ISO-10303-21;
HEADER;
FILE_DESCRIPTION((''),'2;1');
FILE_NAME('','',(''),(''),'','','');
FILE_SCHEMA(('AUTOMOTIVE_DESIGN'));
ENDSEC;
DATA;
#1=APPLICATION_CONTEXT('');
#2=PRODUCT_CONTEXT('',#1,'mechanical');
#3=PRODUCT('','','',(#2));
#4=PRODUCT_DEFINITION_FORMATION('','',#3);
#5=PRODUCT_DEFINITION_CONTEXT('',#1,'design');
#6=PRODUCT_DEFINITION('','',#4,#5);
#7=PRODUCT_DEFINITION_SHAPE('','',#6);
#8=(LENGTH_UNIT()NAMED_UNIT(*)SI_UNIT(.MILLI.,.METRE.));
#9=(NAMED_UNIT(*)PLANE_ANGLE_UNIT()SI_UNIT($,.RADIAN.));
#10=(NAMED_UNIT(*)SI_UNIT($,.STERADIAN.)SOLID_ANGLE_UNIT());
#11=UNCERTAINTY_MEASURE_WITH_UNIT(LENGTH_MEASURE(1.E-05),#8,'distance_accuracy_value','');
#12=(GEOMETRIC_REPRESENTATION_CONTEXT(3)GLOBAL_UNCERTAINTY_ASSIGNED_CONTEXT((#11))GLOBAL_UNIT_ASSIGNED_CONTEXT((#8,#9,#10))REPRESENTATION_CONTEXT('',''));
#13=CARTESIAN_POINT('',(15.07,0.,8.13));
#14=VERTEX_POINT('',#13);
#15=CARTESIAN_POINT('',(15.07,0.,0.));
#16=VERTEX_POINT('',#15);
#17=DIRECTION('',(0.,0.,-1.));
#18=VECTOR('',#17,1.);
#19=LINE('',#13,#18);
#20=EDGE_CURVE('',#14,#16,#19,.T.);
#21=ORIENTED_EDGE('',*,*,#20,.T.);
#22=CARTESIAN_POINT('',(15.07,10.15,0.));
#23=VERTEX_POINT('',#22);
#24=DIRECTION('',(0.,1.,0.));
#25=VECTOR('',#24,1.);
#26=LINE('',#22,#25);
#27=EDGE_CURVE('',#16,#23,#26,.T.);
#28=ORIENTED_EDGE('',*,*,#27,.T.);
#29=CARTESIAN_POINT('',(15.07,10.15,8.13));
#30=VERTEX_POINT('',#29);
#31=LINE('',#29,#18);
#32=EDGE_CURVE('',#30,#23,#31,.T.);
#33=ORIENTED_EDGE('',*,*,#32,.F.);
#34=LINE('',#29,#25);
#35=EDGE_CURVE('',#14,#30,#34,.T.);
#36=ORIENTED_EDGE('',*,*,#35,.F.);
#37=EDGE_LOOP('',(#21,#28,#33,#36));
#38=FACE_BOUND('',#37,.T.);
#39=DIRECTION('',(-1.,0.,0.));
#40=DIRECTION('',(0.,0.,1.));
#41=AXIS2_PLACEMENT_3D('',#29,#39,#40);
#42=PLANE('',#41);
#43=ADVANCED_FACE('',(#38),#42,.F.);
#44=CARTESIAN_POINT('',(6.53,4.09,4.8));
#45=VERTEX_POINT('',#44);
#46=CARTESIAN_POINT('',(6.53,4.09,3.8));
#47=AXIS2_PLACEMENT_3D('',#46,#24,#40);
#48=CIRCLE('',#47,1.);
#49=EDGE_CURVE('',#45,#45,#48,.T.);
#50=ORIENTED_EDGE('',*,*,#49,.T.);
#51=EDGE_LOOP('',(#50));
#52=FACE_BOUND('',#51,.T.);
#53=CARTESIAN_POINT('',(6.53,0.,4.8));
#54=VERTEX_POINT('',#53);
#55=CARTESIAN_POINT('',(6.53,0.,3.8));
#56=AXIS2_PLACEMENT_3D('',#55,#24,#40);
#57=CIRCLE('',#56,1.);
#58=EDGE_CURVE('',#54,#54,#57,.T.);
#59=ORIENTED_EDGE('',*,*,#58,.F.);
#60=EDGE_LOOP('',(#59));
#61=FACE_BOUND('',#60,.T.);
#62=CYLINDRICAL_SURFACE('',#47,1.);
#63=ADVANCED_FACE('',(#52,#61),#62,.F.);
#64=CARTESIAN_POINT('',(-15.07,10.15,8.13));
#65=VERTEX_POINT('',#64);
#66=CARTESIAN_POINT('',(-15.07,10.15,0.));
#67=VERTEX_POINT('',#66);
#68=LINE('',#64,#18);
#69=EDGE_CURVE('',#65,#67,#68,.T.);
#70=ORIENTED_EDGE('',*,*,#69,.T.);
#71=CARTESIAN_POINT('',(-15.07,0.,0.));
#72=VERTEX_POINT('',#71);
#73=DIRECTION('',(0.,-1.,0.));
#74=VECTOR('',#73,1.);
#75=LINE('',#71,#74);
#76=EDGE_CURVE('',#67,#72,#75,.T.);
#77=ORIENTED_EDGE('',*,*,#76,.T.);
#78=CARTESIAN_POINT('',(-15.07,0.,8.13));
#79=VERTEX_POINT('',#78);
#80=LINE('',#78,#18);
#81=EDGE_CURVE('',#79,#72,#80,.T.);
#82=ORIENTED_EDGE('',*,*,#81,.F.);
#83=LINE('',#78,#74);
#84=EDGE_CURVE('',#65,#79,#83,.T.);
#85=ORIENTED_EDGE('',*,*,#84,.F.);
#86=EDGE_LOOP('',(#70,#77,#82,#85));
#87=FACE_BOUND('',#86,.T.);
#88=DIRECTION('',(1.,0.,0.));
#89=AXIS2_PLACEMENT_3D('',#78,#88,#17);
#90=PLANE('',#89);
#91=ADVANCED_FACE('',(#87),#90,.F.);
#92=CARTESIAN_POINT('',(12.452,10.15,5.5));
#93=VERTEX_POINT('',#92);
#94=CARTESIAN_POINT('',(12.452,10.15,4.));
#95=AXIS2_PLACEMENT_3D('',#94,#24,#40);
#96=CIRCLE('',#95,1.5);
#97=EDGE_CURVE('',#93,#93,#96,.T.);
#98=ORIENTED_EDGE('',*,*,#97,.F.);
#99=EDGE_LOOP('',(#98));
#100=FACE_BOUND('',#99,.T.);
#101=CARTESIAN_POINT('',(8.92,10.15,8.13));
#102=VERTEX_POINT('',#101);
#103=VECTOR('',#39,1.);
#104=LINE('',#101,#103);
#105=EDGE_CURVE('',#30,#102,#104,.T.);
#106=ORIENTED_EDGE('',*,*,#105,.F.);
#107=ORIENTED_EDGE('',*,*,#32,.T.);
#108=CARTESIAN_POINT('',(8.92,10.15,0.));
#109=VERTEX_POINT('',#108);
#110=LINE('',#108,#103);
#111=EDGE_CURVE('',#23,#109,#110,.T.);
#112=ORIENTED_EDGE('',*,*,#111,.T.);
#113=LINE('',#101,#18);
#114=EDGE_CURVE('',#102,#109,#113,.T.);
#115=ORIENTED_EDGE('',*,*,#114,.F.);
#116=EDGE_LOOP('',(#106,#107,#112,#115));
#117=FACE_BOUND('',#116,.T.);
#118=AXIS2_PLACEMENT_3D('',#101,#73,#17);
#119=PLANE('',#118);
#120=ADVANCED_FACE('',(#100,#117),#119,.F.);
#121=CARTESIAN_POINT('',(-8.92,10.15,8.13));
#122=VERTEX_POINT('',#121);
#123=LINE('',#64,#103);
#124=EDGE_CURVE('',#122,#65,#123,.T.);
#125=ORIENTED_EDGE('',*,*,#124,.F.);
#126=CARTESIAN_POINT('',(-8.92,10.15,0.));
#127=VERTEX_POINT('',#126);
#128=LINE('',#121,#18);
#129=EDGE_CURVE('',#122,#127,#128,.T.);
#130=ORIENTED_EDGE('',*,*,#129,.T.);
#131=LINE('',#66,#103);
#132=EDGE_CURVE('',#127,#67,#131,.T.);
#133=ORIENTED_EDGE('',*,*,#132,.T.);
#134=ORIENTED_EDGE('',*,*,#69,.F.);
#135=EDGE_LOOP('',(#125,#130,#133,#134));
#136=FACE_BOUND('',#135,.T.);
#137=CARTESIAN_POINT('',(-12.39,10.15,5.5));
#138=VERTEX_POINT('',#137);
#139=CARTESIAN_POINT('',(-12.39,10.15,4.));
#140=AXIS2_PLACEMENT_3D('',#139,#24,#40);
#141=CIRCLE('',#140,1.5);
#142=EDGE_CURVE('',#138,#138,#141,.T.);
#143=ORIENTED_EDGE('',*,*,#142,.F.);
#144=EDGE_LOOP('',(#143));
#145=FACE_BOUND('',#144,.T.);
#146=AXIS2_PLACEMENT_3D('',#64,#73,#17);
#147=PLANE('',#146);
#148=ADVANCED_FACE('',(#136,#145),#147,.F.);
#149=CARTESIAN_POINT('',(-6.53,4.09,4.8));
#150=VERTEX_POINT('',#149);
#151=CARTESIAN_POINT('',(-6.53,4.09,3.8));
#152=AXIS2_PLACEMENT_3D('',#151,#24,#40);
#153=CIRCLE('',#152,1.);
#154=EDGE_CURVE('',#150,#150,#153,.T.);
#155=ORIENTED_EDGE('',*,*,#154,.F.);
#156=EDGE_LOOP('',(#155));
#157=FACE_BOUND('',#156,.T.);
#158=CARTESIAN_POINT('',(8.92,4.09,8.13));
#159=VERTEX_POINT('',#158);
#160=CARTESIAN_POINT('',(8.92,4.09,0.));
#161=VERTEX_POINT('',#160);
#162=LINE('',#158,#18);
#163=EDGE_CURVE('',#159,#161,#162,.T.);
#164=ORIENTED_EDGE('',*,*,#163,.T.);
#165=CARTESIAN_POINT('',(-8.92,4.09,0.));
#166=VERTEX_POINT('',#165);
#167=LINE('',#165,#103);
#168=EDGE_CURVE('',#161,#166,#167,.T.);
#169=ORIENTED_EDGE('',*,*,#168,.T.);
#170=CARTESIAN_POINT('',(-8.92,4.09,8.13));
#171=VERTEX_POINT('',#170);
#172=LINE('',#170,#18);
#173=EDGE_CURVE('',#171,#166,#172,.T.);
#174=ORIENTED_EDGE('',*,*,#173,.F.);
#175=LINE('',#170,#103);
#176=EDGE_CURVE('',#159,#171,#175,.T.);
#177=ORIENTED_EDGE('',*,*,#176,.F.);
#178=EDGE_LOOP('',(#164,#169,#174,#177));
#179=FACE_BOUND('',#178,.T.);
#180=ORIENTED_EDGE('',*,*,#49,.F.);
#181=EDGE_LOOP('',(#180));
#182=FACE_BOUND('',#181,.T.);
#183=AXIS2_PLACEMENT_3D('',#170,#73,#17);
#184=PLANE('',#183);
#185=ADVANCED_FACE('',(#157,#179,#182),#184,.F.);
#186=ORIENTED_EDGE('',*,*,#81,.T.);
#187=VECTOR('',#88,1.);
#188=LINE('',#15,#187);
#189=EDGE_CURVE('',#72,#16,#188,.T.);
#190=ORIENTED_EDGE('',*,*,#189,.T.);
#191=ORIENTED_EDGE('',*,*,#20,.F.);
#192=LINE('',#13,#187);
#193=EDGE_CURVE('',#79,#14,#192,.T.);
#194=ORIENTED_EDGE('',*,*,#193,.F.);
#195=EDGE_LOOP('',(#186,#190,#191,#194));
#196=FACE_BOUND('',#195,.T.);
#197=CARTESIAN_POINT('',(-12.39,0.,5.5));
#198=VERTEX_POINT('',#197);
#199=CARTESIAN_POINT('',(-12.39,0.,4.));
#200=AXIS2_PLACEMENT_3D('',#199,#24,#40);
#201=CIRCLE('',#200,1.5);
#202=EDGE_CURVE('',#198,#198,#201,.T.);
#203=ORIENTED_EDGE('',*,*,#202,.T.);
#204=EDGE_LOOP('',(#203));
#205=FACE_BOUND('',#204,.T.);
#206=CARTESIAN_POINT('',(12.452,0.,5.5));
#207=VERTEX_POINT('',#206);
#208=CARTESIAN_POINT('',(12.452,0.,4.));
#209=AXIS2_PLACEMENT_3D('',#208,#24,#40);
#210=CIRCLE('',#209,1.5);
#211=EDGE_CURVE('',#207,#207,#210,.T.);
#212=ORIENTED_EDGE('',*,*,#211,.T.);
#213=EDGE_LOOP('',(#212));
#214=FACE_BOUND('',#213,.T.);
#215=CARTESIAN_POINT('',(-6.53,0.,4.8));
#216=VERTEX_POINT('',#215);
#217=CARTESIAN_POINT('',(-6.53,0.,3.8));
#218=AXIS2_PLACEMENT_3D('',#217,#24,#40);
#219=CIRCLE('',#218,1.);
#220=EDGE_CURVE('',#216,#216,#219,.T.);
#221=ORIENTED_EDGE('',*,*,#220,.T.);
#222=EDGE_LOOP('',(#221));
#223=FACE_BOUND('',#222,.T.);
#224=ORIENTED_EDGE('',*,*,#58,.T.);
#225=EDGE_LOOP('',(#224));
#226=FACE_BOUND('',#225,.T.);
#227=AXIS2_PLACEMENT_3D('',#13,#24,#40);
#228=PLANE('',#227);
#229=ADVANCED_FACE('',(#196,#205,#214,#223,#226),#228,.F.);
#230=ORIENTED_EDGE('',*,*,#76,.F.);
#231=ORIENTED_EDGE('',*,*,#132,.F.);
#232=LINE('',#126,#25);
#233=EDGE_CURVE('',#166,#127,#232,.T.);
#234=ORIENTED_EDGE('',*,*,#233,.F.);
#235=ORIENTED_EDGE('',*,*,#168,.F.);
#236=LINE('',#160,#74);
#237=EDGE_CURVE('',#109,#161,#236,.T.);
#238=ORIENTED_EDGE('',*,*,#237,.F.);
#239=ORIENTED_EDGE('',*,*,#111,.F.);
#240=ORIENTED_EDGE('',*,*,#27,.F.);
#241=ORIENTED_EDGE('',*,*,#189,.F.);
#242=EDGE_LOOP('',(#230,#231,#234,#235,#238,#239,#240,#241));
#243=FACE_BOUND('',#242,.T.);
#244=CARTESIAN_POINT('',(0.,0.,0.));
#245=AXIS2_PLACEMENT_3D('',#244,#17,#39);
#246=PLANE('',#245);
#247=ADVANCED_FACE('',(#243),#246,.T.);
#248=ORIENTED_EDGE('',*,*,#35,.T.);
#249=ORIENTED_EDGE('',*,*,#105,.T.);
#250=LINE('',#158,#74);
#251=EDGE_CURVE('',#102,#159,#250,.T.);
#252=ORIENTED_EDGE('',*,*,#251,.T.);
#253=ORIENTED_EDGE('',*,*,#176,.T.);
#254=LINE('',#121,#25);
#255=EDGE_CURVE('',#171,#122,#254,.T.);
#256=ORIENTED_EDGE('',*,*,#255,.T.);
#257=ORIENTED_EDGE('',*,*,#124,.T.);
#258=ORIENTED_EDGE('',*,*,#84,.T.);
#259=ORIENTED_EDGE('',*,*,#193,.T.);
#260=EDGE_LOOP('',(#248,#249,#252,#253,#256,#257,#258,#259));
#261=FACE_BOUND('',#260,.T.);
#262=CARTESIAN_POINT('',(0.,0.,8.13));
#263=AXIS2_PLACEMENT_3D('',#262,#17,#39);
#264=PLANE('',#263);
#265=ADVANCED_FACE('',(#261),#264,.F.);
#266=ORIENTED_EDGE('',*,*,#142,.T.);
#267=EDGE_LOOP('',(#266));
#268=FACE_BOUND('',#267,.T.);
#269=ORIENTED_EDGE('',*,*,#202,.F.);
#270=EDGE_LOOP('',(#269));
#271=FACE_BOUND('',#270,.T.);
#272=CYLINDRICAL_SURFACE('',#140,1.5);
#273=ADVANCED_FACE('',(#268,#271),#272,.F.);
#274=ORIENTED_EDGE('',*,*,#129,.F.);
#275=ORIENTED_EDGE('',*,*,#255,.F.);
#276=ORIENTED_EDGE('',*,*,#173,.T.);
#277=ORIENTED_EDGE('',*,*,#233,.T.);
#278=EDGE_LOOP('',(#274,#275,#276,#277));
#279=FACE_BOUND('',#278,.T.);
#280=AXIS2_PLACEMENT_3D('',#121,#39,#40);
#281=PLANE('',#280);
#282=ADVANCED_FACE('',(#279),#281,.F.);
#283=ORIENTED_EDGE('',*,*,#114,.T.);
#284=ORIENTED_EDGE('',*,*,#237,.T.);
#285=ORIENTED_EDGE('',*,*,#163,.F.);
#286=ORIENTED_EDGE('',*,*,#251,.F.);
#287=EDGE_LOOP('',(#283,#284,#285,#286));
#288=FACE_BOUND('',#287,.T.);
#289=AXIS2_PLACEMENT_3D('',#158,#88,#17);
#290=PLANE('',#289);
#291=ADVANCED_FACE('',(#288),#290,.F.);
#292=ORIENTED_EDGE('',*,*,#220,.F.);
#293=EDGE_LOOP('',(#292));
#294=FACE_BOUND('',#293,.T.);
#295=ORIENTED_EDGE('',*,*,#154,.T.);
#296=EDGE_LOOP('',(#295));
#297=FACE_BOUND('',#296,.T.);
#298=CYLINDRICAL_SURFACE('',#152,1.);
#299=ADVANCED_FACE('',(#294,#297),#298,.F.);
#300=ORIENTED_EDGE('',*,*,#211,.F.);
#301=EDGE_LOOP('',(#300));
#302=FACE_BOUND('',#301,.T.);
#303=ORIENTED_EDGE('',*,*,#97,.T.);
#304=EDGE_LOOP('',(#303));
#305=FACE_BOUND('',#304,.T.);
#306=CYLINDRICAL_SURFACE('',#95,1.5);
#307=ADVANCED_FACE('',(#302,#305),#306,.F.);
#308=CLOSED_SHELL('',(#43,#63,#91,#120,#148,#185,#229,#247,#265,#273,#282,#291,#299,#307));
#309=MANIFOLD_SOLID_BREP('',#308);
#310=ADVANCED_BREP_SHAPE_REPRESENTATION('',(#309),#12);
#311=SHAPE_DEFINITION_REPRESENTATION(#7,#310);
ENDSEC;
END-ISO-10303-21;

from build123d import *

# Parameters (mm, degrees)
BOSS_EXTRUDE1_DEPTH       = 8.13
F_3_0MM_DOWEL_HOLE1_D     = 3
F_3_0MM_DOWEL_HOLE1_DEPTH = 35
F_3_0MM_DOWEL_HOLE1_TIP   = 0.901290929
F_2_0MM_DOWEL_HOLE1_D     = 2
F_2_0MM_DOWEL_HOLE1_DEPTH = 35
F_2_0MM_DOWEL_HOLE1_TIP   = 0.600860619


with BuildPart() as part:
    # Sketch1 → Boss-Extrude1 (new body)
    with BuildSketch(Plane.XY):
        Polygon((-15.07, 0), (-15.07, 10.15), (-8.92, 10.15), (-8.92, 4.09), (8.92, 4.09), (8.92, 10.15), (15.07, 10.15), (15.07, 0), align=None)
    extrude(amount=BOSS_EXTRUDE1_DEPTH)

    # Ø3.0mm Dowel Hole1
    with Locations(Plane(origin=(0, 10.15, 0), x_dir=(1, 0, 0), z_dir=(0, 1, 0))):
        with Locations((-12.39, -4), (12.452, -4)):
            Hole(F_3_0MM_DOWEL_HOLE1_D / 2, depth=F_3_0MM_DOWEL_HOLE1_DEPTH)
            with Locations((0, 0, -(F_3_0MM_DOWEL_HOLE1_DEPTH + F_3_0MM_DOWEL_HOLE1_TIP / 2))):  # 118° drill point
                Cone(0, F_3_0MM_DOWEL_HOLE1_D / 2, F_3_0MM_DOWEL_HOLE1_TIP, mode=Mode.SUBTRACT)

    # Ø2.0mm Dowel Hole1
    with Locations(Plane(origin=(0, 4.09, 0), x_dir=(1, 0, 0), z_dir=(0, 1, 0))):
        with Locations((-6.53, -3.8), (6.53, -3.8)):
            Hole(F_2_0MM_DOWEL_HOLE1_D / 2, depth=F_2_0MM_DOWEL_HOLE1_DEPTH)
            with Locations((0, 0, -(F_2_0MM_DOWEL_HOLE1_DEPTH + F_2_0MM_DOWEL_HOLE1_TIP / 2))):  # 118° drill point
                Cone(0, F_2_0MM_DOWEL_HOLE1_D / 2, F_2_0MM_DOWEL_HOLE1_TIP, mode=Mode.SUBTRACT)


solid = part.part
